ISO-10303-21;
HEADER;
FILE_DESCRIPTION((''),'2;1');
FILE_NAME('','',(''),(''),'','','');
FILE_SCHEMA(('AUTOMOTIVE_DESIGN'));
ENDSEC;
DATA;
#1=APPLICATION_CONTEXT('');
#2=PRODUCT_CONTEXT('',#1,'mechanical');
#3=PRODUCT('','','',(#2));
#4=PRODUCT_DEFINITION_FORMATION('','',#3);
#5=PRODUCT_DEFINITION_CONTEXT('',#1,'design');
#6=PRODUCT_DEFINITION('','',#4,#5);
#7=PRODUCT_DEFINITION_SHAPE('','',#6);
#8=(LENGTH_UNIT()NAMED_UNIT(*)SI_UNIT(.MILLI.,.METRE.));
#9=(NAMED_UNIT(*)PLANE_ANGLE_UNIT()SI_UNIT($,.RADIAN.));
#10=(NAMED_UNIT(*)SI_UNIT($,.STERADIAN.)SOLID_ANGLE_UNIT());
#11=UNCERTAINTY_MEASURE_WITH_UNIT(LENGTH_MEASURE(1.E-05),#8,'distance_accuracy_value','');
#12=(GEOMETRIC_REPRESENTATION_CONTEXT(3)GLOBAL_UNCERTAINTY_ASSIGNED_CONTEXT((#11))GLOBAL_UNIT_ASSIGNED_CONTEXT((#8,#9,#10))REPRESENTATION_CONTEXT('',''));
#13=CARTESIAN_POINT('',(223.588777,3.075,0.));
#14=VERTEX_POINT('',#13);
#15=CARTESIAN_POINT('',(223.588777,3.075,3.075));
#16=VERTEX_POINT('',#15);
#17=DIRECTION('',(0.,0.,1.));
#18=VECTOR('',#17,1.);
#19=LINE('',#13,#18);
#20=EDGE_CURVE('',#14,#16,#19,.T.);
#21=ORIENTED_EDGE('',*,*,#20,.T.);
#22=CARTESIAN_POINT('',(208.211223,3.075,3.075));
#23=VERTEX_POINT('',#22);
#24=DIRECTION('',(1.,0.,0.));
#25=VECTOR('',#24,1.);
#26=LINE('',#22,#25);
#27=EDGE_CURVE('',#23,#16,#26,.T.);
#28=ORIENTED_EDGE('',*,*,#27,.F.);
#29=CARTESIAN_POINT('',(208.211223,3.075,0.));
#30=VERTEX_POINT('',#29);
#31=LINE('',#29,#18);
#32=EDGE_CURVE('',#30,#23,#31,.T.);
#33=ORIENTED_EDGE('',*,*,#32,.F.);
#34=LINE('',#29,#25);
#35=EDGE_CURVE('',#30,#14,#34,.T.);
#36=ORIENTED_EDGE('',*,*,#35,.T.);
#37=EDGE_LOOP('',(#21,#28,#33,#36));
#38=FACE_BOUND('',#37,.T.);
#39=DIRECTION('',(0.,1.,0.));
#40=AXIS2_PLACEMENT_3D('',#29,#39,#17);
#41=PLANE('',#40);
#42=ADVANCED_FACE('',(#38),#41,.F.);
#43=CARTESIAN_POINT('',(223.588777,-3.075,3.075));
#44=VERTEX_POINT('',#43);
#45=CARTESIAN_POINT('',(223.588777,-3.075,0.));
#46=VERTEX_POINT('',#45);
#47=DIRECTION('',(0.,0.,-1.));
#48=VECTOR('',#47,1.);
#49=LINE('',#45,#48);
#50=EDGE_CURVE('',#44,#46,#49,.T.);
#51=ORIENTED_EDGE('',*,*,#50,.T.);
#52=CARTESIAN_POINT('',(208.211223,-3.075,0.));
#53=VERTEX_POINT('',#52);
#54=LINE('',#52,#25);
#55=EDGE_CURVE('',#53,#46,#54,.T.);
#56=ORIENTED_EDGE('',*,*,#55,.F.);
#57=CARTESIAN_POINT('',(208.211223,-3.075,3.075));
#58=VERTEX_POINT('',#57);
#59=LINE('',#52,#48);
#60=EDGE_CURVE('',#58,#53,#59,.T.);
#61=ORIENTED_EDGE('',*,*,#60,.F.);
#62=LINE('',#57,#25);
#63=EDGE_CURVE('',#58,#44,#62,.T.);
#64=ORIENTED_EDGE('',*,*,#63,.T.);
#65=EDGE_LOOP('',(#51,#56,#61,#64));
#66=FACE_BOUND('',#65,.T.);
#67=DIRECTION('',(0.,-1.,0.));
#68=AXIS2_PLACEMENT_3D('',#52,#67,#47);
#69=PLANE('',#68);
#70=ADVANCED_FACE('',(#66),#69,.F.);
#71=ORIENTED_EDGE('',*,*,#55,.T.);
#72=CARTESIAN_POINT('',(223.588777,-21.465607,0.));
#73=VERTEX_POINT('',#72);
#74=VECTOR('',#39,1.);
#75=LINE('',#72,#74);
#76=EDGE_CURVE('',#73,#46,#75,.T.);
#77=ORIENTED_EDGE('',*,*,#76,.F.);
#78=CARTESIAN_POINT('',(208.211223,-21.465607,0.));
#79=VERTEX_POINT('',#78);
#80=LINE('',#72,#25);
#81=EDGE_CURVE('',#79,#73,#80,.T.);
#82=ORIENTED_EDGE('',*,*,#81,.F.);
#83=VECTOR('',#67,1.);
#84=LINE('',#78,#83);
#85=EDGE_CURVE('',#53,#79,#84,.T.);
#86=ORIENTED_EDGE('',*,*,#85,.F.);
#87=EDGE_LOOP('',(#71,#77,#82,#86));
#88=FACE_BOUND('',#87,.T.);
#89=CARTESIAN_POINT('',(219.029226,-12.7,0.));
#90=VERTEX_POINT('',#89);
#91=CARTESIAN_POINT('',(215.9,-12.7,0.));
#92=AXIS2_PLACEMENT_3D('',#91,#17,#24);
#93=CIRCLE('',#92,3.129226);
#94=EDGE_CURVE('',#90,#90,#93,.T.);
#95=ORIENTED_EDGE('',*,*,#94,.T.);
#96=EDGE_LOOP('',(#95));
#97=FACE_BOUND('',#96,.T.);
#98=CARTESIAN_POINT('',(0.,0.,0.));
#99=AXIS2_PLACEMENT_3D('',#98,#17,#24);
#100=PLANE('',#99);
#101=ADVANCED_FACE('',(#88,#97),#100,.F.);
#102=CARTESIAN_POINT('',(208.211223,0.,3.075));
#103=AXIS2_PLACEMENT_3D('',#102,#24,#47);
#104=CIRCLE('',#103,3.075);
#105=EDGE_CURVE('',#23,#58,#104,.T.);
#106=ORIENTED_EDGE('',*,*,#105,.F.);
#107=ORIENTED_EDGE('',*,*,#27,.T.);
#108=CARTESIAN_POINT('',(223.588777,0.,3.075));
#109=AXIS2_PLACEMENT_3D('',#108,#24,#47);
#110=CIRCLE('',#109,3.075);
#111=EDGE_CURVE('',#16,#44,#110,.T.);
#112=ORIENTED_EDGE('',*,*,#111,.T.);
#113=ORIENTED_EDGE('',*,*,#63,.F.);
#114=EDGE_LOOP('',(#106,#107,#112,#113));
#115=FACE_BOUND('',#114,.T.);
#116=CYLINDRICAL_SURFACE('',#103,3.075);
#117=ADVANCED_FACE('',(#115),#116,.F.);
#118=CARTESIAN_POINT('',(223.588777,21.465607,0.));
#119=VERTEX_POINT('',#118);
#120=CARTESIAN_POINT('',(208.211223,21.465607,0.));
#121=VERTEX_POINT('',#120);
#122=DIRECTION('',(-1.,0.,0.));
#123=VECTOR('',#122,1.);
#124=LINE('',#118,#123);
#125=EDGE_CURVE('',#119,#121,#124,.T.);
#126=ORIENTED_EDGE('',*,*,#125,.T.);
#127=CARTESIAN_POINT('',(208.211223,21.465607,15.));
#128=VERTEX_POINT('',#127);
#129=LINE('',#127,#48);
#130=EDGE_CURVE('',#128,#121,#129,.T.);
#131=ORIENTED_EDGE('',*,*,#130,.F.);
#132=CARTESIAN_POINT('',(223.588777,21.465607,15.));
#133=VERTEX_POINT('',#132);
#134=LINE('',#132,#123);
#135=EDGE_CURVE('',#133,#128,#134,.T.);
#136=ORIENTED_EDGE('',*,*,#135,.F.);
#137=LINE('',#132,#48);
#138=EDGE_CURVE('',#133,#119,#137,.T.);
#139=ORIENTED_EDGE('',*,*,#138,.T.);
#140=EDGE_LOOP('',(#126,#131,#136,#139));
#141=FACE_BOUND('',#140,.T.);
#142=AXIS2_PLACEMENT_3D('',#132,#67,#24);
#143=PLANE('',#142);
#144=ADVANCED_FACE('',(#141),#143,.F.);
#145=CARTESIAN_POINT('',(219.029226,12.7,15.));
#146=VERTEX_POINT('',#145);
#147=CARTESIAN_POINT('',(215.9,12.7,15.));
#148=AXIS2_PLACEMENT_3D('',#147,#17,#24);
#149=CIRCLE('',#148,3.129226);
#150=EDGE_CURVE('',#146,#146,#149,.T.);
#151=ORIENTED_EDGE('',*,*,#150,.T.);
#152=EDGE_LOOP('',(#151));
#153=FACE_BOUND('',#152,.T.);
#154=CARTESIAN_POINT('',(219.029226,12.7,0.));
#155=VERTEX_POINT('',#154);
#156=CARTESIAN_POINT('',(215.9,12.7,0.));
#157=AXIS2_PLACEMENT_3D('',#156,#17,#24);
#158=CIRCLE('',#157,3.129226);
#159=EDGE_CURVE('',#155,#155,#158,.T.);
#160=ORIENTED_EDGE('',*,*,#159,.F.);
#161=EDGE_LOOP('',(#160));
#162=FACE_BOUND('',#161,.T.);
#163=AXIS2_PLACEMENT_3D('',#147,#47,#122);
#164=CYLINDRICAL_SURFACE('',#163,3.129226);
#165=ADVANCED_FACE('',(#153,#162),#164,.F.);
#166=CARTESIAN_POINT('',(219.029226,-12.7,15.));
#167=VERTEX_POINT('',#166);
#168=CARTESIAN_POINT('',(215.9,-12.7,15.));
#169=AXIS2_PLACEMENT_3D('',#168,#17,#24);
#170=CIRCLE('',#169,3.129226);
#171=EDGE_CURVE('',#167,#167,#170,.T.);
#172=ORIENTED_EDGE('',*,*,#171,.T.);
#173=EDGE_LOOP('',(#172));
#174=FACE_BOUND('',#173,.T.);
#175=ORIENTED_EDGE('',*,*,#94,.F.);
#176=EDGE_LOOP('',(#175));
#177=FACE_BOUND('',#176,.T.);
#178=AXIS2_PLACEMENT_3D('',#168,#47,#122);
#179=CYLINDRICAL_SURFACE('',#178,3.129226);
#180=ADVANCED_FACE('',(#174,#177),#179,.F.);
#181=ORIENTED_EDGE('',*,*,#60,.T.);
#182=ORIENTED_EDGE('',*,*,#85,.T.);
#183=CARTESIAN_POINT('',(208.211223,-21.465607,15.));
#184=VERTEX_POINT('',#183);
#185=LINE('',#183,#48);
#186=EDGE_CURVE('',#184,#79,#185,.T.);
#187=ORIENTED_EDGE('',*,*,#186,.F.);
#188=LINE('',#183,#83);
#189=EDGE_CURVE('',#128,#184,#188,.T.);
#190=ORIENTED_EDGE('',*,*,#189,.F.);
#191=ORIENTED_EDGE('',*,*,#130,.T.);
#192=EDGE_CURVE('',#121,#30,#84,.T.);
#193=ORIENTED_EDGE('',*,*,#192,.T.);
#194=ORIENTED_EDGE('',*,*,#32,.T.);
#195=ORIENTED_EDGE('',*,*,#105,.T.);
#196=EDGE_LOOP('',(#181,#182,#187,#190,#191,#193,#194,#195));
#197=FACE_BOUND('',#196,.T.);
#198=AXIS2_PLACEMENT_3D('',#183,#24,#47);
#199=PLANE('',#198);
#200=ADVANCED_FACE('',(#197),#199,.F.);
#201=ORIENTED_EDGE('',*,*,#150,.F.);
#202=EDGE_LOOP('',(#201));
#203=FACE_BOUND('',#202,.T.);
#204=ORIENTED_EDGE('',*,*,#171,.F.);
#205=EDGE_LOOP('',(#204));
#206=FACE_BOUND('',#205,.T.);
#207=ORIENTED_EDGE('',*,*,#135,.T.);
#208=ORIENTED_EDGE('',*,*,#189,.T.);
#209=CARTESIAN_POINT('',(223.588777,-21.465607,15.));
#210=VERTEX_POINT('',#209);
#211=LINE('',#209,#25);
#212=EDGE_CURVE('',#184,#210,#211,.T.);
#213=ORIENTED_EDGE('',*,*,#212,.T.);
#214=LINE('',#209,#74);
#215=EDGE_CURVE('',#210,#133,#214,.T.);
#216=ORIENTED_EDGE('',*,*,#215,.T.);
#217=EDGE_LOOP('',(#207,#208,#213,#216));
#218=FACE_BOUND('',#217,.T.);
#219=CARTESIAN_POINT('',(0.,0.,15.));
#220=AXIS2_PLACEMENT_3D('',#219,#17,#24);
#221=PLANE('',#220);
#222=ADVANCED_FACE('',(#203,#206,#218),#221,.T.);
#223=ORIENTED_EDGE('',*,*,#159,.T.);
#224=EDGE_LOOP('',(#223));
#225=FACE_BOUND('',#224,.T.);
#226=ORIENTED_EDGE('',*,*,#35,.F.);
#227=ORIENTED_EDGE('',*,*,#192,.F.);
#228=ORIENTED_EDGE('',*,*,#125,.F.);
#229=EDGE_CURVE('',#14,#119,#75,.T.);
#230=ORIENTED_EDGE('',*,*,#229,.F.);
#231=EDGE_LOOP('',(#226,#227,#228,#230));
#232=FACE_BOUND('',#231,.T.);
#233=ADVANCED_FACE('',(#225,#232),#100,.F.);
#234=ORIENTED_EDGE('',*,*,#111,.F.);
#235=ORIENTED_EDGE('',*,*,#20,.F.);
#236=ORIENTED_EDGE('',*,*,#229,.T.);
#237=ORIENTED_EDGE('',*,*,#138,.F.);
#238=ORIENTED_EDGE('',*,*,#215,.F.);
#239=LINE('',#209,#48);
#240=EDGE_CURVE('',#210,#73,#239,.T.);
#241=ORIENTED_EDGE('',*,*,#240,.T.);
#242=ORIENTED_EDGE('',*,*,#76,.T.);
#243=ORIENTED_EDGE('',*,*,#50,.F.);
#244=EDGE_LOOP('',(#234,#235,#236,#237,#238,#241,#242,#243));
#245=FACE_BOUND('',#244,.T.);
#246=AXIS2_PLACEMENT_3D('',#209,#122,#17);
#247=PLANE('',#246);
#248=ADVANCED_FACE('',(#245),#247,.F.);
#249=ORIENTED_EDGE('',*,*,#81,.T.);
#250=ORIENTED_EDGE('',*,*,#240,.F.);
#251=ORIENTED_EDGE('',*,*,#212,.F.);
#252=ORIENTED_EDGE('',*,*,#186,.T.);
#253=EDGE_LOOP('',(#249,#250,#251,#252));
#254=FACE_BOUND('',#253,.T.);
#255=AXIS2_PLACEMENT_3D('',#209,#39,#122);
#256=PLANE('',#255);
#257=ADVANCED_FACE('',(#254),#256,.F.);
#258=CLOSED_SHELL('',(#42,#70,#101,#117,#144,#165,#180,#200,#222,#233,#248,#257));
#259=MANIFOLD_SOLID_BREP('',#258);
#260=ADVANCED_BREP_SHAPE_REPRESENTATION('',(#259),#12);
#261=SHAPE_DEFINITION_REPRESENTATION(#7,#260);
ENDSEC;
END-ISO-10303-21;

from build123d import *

# Parameters (mm, degrees)
SKETCH1_W               = 15.377554838
SKETCH1_H               = 42.931213808
SKETCH1_R               = 3.129225598
BOSS_EXTRUDE1_DEPTH     = 15
CUT_EXTRUDE1_DEPTH      = 1
CUT_EXTRUDE1_DEPTH_BACK = 16.377554838


with BuildPart() as part:
    # Sketch1 → Boss-Extrude1 (new body)
    with BuildSketch(Plane.XY):
        with Locations((215.9, 0)):
            Rectangle(SKETCH1_W, SKETCH1_H)
        with Locations((215.9, -12.7)):
            Circle(SKETCH1_R, mode=Mode.SUBTRACT)
        with Locations((215.9, 12.7)):
            Circle(SKETCH1_R, mode=Mode.SUBTRACT)
    extrude(amount=BOSS_EXTRUDE1_DEPTH)

    # Sketch2 → Cut-Extrude1 (cut, two sides)
    with BuildSketch(Plane(origin=(223.588777419, 0, 0), x_dir=(0, 0, -1), z_dir=(1, 0, 0))) as cut_extrude1_sk:
        with BuildLine():
            Line((0, -3.075), (-3.075, -3.075))
            ThreePointArc((-3.075, -3.075), (-6.15, 0), (-3.075, 3.075))
            Line((-3.075, 3.075), (0, 3.075))
            ThreePointArc((0, 3.075), (3.075, 0), (0, -3.075))
        make_face()
    extrude(amount=CUT_EXTRUDE1_DEPTH, mode=Mode.SUBTRACT)
    extrude(cut_extrude1_sk.sketch, amount=-CUT_EXTRUDE1_DEPTH_BACK, mode=Mode.SUBTRACT)


solid = part.part
